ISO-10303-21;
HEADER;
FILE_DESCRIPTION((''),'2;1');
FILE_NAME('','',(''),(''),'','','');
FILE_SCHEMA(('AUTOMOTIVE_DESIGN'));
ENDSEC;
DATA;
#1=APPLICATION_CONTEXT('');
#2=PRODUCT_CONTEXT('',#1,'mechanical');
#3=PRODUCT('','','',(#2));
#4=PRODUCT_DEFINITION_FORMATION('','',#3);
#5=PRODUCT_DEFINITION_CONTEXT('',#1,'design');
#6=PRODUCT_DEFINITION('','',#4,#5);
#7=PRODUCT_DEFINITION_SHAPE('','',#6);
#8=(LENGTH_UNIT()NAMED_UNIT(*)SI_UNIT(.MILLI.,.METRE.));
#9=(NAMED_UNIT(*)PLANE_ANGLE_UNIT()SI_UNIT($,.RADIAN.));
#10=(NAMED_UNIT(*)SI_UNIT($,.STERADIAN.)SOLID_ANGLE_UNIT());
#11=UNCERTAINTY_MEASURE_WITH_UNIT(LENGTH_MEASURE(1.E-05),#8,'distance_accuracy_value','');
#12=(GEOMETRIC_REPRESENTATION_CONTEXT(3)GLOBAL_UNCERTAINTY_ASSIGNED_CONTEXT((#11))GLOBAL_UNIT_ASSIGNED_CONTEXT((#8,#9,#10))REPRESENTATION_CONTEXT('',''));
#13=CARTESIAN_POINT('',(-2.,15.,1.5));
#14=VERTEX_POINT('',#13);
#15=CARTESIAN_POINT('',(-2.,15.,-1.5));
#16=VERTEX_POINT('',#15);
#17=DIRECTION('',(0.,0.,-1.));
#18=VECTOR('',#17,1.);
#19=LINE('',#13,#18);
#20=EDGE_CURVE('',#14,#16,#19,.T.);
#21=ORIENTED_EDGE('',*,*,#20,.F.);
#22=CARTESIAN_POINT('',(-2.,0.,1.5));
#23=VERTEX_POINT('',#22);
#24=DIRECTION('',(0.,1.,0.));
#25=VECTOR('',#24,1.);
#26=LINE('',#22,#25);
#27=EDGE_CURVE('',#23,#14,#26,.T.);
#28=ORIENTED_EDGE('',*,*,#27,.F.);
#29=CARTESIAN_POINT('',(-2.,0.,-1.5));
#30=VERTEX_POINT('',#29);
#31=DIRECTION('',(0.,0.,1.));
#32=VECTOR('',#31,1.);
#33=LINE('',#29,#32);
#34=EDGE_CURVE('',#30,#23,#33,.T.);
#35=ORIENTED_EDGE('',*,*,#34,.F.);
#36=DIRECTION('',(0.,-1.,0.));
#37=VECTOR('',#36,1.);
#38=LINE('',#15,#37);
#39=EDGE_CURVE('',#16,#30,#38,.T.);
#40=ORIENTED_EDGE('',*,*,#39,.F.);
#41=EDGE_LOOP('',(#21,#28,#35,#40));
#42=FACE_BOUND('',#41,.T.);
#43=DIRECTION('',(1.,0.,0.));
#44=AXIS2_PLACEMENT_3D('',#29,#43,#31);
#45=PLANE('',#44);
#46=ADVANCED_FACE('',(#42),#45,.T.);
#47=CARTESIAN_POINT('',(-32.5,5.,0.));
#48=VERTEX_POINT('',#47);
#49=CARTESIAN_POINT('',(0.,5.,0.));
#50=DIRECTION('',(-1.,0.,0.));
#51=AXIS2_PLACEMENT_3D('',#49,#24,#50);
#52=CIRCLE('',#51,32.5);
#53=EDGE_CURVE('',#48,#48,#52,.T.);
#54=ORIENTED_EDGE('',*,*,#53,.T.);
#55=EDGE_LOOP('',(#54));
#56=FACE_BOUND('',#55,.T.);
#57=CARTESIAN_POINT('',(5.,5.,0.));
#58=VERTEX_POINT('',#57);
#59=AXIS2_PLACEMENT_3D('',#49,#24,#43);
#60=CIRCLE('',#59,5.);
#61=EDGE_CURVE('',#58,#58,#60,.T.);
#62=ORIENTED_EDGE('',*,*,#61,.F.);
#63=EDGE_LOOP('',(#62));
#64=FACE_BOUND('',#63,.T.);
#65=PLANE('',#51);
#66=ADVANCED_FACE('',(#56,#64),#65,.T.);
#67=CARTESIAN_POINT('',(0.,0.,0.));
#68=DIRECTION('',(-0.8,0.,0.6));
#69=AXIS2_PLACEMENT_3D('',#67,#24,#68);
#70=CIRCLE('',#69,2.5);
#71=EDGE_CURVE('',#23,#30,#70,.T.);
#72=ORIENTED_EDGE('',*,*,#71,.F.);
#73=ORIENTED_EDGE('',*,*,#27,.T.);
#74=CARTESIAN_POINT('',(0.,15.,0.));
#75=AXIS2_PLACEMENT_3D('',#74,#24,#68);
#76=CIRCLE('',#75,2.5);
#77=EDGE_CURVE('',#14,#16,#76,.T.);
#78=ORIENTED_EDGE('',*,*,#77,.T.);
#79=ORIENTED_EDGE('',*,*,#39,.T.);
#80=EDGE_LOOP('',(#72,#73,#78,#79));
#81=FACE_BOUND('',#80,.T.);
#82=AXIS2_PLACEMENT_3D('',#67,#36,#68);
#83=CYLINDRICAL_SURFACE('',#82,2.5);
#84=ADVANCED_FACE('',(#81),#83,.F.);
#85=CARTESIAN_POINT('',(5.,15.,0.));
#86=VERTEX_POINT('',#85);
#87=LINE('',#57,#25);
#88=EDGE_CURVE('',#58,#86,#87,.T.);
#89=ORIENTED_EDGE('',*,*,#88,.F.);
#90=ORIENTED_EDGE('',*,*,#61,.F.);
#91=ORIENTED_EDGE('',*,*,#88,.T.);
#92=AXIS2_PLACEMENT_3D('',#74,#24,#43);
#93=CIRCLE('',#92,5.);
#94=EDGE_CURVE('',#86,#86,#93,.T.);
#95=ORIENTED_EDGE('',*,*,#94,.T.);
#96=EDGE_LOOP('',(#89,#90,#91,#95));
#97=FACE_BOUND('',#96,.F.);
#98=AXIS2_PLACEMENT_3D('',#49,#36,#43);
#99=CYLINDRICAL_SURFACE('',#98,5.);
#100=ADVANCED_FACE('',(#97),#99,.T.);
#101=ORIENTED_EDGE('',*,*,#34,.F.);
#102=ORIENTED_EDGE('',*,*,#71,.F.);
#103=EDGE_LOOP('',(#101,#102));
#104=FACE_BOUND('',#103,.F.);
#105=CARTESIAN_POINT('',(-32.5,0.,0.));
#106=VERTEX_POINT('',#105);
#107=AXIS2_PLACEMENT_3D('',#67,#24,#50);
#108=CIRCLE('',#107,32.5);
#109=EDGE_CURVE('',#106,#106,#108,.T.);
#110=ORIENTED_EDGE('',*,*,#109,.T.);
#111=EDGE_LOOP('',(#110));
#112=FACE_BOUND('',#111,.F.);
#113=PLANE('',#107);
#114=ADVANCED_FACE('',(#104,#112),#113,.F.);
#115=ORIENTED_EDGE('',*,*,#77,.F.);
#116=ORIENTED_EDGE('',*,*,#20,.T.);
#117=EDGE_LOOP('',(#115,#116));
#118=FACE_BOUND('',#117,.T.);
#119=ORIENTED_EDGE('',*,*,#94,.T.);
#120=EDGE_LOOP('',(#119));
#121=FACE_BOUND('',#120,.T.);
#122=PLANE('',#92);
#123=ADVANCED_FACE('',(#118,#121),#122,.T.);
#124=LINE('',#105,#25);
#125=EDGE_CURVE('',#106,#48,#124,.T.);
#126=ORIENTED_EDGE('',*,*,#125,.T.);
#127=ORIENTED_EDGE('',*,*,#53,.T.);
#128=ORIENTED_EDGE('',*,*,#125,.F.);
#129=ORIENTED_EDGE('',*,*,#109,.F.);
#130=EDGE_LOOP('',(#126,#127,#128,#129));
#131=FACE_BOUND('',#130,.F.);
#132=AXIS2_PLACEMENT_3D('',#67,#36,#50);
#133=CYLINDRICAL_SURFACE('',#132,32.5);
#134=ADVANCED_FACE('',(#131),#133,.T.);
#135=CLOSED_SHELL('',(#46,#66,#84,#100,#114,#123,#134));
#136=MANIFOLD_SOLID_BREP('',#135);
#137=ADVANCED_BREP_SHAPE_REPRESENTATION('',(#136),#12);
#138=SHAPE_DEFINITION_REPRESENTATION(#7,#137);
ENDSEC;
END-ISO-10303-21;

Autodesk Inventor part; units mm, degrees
ref_plane "YZ Plane" through (0, 0, 0) normal (1, 0, 0) x (0, 1, 0)
ref_plane "XZ Plane" through (0, 0, 0) normal (0, 1, 0) x (-1, 0, 0)
ref_plane "XY Plane" through (0, 0, 0) normal (0, 0, 1) x (1, 0, 0)
sketch "Sketch1" plane through (0, 0, 0) normal (0, 1, 0) x (-1, 0, 0)
  circle A0 centre (0, 0) radius 32.5
  arc A1 (2, 1.5) -> (2, -1.5) centre (0, 0) ccw
  line L0 (-2.5, 0) -> (2, 0) construction
  line L1 (2, 0) -> (2, 1.5)
  line L2 (2, -1.5) -> (2, 0)
  dimension "d0" = 65
extrude "Extrusion1" add sketch "Sketch1" along normal blind 5
sketch "Sketch2" plane through (0, 5, 0) normal (0, 1, 0) x (1, 0, 0)
  circle A0 centre (0, 0) radius 5
  arc A1 (-2, -1.5) -> (-2, 1.5) centre (0, 0) ccw projected
  arc A2 (-2, -1.5) -> (-2, 1.5) centre (0, 0) ccw
  line L0 (-2, -1.5) -> (-2, 1.5) projected
  line L1 (-2, -1.5) -> (-2, 1.5)
  dimension "d6" = 10
extrude "Extrusion2" add sketch "Sketch2" along normal blind 10
properties part number "kolo"
